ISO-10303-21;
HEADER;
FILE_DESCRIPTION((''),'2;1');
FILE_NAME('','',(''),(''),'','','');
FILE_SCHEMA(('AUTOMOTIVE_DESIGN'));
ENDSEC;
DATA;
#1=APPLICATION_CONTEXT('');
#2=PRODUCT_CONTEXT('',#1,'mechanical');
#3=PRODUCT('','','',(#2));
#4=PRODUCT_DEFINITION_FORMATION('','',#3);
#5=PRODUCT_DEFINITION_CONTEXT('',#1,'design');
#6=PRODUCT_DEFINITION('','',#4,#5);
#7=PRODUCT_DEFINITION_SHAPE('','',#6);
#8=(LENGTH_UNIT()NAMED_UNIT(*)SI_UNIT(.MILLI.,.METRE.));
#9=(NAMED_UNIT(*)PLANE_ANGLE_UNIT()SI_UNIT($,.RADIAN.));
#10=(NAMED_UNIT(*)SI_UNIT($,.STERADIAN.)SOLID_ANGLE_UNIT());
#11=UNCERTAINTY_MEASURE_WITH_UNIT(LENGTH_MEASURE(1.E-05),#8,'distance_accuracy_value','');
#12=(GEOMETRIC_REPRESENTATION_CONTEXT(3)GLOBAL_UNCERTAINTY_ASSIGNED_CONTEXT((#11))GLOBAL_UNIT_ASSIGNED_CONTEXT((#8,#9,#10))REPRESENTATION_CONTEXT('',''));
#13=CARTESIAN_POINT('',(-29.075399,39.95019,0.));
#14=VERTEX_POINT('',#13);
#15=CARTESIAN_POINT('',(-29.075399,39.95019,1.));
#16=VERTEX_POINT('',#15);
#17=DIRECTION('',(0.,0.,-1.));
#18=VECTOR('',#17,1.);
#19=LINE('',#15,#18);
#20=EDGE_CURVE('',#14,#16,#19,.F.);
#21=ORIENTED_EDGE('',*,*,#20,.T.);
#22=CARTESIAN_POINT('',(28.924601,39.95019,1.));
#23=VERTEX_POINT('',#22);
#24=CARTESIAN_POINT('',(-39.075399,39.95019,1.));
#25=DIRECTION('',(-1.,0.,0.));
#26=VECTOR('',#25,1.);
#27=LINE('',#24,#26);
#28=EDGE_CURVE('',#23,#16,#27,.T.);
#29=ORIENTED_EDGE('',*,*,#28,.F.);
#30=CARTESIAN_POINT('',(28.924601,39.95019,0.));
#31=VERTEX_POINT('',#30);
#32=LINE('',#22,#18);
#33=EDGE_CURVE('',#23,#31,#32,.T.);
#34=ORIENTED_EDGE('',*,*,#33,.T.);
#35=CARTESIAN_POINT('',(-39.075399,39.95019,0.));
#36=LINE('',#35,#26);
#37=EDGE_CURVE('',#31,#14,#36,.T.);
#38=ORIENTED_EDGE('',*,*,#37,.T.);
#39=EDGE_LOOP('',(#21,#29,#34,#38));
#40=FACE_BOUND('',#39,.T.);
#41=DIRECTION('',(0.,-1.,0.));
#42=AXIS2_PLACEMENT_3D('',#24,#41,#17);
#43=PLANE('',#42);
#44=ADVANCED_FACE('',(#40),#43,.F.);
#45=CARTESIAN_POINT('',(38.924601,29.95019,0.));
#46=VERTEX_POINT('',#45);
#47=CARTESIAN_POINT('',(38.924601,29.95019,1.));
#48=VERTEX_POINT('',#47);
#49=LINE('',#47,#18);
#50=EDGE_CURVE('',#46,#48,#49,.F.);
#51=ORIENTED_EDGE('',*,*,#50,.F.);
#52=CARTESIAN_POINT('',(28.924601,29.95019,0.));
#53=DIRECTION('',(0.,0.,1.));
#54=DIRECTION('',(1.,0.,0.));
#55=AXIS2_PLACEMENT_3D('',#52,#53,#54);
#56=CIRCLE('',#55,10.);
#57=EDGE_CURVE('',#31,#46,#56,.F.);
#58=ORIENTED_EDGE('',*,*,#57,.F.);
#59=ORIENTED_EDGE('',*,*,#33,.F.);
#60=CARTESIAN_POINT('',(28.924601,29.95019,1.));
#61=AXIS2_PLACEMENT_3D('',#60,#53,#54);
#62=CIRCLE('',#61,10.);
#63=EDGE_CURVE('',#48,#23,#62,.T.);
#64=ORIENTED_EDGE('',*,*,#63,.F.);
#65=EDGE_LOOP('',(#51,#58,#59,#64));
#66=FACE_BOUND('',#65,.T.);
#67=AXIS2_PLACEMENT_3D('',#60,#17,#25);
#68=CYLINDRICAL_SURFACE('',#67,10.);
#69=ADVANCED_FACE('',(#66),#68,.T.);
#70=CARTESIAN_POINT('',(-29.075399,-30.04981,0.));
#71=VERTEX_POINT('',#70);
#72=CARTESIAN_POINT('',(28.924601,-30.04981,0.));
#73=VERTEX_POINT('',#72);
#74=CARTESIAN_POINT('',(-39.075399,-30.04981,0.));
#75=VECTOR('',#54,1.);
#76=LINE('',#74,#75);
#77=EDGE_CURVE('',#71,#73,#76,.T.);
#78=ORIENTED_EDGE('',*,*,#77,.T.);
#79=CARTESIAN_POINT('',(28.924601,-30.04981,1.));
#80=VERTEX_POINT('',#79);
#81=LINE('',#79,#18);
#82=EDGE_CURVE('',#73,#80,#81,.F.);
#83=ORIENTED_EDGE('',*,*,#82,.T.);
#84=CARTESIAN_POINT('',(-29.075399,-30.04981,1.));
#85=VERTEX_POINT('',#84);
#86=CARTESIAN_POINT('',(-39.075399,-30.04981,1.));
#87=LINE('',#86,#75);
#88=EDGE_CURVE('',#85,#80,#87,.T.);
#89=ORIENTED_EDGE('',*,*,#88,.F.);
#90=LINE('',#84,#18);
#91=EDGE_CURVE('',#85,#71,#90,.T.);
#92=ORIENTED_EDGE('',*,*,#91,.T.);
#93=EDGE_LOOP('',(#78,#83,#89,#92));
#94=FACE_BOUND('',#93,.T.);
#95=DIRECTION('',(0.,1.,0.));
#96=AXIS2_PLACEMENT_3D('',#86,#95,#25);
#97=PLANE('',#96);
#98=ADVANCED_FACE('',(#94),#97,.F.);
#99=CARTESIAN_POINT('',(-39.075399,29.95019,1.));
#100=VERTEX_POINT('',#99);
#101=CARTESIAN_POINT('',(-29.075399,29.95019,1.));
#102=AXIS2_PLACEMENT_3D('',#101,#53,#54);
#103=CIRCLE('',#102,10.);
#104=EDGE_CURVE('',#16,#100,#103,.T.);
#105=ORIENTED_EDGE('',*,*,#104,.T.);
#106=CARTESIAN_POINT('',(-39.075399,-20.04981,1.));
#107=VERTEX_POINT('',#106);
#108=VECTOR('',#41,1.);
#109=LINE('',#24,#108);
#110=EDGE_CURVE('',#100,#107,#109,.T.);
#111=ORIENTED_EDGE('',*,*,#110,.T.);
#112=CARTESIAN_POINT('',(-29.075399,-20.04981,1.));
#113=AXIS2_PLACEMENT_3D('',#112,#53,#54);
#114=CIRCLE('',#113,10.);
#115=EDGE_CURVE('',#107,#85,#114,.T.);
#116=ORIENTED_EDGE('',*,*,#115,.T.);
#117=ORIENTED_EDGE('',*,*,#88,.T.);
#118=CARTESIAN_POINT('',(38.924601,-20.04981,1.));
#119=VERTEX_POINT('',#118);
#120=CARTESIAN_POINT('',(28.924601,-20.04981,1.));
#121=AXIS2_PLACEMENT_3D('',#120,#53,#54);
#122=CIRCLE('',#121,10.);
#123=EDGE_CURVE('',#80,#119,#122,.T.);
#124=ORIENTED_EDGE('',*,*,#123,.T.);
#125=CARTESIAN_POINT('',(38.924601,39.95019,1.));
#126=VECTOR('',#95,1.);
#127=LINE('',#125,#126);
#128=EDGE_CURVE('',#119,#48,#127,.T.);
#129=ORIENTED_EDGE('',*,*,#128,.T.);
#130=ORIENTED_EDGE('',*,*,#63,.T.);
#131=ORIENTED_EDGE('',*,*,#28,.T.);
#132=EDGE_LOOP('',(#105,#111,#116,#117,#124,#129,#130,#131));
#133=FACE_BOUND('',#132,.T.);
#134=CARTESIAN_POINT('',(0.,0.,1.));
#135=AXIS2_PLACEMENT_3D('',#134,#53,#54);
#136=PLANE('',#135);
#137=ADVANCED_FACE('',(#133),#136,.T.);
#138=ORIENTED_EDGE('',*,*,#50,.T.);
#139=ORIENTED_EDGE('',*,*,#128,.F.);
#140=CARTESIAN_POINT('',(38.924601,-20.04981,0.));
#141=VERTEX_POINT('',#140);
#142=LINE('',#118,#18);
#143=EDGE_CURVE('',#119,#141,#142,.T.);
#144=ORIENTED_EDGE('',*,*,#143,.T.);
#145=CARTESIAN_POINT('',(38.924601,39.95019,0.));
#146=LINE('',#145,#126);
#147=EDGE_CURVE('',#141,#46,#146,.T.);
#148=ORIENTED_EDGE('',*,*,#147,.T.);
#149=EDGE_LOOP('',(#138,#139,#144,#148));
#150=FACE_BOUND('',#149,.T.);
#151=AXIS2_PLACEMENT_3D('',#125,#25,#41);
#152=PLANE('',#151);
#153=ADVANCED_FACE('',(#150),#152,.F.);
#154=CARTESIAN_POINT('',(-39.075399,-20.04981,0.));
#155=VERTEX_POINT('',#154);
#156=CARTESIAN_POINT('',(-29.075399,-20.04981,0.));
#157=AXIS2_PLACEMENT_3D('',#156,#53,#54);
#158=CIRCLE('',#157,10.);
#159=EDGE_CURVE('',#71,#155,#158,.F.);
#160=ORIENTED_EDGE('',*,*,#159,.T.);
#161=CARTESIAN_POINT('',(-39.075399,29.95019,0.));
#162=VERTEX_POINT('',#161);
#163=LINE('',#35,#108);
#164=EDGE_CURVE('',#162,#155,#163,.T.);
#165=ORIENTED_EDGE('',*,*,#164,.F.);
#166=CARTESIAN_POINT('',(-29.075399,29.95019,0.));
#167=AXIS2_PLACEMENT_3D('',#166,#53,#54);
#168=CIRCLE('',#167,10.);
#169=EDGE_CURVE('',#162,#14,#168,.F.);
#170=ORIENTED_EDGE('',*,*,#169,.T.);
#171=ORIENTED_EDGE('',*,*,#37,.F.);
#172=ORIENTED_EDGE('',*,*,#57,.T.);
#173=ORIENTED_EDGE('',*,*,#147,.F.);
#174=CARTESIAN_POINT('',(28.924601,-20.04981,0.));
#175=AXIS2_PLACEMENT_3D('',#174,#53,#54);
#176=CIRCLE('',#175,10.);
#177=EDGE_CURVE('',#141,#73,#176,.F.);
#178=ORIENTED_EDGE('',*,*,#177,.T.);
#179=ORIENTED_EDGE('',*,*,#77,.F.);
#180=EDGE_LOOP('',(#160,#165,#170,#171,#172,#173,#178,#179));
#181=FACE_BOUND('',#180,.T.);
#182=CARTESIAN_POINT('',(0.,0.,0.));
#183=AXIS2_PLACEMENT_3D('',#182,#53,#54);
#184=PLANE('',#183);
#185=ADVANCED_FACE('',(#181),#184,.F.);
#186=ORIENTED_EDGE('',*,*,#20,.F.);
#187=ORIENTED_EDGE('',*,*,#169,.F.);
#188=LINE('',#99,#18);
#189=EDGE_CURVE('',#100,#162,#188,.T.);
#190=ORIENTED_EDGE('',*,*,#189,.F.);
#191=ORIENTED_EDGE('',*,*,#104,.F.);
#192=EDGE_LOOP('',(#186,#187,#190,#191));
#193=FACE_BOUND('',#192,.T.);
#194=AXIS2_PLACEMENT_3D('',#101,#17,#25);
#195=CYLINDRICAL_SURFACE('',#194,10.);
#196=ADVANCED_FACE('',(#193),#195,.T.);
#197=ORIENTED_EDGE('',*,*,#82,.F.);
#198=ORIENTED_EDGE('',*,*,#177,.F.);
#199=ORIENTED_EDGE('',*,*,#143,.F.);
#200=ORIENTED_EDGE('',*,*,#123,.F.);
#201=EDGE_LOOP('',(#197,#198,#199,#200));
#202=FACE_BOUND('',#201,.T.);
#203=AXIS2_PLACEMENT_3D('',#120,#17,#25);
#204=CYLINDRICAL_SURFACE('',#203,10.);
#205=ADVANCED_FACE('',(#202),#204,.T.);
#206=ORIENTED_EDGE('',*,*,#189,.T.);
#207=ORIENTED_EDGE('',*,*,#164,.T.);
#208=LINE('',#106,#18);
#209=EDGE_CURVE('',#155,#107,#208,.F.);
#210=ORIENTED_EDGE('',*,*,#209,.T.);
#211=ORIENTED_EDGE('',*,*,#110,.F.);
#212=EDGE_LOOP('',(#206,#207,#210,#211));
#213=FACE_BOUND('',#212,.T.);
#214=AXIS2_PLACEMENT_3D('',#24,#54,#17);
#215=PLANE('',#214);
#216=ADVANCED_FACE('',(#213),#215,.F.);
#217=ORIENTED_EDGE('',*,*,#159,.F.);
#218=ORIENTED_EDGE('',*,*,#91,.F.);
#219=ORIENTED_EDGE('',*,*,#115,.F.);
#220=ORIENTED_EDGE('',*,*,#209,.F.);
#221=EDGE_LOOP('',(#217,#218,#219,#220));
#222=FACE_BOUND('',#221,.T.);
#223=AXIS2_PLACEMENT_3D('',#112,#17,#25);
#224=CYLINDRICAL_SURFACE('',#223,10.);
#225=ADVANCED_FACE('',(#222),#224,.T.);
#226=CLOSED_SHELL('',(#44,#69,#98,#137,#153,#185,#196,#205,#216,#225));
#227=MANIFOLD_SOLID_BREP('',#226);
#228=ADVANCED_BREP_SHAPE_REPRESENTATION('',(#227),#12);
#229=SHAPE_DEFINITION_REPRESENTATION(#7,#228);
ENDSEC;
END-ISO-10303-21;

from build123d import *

# Parameters (mm, degrees)
SKETCH1_W           = 78
SKETCH1_H           = 70
BOSS_EXTRUDE1_DEPTH = 1
FILLET1_R           = 10


with BuildPart() as part:
    # Sketch1 → Boss-Extrude1 (new body)
    with BuildSketch(Plane.XY):
        with Locations((-0.075399098, 4.950190099)):
            Rectangle(SKETCH1_W, SKETCH1_H)
    extrude(amount=BOSS_EXTRUDE1_DEPTH)

    # Fillet1
    fillet1_edges = [part.edges().sort_by_distance(p)[0] for p in [
        (38.924600902, -30.049809901, 0.5),
        (-39.075399098, -30.049809901, 0.5),
        (-39.075399098, 39.950190099, 0.5),
        (38.924600902, 39.950190099, 0.5),
    ]]
    fillet(fillet1_edges, radius=FILLET1_R)


solid = part.part
